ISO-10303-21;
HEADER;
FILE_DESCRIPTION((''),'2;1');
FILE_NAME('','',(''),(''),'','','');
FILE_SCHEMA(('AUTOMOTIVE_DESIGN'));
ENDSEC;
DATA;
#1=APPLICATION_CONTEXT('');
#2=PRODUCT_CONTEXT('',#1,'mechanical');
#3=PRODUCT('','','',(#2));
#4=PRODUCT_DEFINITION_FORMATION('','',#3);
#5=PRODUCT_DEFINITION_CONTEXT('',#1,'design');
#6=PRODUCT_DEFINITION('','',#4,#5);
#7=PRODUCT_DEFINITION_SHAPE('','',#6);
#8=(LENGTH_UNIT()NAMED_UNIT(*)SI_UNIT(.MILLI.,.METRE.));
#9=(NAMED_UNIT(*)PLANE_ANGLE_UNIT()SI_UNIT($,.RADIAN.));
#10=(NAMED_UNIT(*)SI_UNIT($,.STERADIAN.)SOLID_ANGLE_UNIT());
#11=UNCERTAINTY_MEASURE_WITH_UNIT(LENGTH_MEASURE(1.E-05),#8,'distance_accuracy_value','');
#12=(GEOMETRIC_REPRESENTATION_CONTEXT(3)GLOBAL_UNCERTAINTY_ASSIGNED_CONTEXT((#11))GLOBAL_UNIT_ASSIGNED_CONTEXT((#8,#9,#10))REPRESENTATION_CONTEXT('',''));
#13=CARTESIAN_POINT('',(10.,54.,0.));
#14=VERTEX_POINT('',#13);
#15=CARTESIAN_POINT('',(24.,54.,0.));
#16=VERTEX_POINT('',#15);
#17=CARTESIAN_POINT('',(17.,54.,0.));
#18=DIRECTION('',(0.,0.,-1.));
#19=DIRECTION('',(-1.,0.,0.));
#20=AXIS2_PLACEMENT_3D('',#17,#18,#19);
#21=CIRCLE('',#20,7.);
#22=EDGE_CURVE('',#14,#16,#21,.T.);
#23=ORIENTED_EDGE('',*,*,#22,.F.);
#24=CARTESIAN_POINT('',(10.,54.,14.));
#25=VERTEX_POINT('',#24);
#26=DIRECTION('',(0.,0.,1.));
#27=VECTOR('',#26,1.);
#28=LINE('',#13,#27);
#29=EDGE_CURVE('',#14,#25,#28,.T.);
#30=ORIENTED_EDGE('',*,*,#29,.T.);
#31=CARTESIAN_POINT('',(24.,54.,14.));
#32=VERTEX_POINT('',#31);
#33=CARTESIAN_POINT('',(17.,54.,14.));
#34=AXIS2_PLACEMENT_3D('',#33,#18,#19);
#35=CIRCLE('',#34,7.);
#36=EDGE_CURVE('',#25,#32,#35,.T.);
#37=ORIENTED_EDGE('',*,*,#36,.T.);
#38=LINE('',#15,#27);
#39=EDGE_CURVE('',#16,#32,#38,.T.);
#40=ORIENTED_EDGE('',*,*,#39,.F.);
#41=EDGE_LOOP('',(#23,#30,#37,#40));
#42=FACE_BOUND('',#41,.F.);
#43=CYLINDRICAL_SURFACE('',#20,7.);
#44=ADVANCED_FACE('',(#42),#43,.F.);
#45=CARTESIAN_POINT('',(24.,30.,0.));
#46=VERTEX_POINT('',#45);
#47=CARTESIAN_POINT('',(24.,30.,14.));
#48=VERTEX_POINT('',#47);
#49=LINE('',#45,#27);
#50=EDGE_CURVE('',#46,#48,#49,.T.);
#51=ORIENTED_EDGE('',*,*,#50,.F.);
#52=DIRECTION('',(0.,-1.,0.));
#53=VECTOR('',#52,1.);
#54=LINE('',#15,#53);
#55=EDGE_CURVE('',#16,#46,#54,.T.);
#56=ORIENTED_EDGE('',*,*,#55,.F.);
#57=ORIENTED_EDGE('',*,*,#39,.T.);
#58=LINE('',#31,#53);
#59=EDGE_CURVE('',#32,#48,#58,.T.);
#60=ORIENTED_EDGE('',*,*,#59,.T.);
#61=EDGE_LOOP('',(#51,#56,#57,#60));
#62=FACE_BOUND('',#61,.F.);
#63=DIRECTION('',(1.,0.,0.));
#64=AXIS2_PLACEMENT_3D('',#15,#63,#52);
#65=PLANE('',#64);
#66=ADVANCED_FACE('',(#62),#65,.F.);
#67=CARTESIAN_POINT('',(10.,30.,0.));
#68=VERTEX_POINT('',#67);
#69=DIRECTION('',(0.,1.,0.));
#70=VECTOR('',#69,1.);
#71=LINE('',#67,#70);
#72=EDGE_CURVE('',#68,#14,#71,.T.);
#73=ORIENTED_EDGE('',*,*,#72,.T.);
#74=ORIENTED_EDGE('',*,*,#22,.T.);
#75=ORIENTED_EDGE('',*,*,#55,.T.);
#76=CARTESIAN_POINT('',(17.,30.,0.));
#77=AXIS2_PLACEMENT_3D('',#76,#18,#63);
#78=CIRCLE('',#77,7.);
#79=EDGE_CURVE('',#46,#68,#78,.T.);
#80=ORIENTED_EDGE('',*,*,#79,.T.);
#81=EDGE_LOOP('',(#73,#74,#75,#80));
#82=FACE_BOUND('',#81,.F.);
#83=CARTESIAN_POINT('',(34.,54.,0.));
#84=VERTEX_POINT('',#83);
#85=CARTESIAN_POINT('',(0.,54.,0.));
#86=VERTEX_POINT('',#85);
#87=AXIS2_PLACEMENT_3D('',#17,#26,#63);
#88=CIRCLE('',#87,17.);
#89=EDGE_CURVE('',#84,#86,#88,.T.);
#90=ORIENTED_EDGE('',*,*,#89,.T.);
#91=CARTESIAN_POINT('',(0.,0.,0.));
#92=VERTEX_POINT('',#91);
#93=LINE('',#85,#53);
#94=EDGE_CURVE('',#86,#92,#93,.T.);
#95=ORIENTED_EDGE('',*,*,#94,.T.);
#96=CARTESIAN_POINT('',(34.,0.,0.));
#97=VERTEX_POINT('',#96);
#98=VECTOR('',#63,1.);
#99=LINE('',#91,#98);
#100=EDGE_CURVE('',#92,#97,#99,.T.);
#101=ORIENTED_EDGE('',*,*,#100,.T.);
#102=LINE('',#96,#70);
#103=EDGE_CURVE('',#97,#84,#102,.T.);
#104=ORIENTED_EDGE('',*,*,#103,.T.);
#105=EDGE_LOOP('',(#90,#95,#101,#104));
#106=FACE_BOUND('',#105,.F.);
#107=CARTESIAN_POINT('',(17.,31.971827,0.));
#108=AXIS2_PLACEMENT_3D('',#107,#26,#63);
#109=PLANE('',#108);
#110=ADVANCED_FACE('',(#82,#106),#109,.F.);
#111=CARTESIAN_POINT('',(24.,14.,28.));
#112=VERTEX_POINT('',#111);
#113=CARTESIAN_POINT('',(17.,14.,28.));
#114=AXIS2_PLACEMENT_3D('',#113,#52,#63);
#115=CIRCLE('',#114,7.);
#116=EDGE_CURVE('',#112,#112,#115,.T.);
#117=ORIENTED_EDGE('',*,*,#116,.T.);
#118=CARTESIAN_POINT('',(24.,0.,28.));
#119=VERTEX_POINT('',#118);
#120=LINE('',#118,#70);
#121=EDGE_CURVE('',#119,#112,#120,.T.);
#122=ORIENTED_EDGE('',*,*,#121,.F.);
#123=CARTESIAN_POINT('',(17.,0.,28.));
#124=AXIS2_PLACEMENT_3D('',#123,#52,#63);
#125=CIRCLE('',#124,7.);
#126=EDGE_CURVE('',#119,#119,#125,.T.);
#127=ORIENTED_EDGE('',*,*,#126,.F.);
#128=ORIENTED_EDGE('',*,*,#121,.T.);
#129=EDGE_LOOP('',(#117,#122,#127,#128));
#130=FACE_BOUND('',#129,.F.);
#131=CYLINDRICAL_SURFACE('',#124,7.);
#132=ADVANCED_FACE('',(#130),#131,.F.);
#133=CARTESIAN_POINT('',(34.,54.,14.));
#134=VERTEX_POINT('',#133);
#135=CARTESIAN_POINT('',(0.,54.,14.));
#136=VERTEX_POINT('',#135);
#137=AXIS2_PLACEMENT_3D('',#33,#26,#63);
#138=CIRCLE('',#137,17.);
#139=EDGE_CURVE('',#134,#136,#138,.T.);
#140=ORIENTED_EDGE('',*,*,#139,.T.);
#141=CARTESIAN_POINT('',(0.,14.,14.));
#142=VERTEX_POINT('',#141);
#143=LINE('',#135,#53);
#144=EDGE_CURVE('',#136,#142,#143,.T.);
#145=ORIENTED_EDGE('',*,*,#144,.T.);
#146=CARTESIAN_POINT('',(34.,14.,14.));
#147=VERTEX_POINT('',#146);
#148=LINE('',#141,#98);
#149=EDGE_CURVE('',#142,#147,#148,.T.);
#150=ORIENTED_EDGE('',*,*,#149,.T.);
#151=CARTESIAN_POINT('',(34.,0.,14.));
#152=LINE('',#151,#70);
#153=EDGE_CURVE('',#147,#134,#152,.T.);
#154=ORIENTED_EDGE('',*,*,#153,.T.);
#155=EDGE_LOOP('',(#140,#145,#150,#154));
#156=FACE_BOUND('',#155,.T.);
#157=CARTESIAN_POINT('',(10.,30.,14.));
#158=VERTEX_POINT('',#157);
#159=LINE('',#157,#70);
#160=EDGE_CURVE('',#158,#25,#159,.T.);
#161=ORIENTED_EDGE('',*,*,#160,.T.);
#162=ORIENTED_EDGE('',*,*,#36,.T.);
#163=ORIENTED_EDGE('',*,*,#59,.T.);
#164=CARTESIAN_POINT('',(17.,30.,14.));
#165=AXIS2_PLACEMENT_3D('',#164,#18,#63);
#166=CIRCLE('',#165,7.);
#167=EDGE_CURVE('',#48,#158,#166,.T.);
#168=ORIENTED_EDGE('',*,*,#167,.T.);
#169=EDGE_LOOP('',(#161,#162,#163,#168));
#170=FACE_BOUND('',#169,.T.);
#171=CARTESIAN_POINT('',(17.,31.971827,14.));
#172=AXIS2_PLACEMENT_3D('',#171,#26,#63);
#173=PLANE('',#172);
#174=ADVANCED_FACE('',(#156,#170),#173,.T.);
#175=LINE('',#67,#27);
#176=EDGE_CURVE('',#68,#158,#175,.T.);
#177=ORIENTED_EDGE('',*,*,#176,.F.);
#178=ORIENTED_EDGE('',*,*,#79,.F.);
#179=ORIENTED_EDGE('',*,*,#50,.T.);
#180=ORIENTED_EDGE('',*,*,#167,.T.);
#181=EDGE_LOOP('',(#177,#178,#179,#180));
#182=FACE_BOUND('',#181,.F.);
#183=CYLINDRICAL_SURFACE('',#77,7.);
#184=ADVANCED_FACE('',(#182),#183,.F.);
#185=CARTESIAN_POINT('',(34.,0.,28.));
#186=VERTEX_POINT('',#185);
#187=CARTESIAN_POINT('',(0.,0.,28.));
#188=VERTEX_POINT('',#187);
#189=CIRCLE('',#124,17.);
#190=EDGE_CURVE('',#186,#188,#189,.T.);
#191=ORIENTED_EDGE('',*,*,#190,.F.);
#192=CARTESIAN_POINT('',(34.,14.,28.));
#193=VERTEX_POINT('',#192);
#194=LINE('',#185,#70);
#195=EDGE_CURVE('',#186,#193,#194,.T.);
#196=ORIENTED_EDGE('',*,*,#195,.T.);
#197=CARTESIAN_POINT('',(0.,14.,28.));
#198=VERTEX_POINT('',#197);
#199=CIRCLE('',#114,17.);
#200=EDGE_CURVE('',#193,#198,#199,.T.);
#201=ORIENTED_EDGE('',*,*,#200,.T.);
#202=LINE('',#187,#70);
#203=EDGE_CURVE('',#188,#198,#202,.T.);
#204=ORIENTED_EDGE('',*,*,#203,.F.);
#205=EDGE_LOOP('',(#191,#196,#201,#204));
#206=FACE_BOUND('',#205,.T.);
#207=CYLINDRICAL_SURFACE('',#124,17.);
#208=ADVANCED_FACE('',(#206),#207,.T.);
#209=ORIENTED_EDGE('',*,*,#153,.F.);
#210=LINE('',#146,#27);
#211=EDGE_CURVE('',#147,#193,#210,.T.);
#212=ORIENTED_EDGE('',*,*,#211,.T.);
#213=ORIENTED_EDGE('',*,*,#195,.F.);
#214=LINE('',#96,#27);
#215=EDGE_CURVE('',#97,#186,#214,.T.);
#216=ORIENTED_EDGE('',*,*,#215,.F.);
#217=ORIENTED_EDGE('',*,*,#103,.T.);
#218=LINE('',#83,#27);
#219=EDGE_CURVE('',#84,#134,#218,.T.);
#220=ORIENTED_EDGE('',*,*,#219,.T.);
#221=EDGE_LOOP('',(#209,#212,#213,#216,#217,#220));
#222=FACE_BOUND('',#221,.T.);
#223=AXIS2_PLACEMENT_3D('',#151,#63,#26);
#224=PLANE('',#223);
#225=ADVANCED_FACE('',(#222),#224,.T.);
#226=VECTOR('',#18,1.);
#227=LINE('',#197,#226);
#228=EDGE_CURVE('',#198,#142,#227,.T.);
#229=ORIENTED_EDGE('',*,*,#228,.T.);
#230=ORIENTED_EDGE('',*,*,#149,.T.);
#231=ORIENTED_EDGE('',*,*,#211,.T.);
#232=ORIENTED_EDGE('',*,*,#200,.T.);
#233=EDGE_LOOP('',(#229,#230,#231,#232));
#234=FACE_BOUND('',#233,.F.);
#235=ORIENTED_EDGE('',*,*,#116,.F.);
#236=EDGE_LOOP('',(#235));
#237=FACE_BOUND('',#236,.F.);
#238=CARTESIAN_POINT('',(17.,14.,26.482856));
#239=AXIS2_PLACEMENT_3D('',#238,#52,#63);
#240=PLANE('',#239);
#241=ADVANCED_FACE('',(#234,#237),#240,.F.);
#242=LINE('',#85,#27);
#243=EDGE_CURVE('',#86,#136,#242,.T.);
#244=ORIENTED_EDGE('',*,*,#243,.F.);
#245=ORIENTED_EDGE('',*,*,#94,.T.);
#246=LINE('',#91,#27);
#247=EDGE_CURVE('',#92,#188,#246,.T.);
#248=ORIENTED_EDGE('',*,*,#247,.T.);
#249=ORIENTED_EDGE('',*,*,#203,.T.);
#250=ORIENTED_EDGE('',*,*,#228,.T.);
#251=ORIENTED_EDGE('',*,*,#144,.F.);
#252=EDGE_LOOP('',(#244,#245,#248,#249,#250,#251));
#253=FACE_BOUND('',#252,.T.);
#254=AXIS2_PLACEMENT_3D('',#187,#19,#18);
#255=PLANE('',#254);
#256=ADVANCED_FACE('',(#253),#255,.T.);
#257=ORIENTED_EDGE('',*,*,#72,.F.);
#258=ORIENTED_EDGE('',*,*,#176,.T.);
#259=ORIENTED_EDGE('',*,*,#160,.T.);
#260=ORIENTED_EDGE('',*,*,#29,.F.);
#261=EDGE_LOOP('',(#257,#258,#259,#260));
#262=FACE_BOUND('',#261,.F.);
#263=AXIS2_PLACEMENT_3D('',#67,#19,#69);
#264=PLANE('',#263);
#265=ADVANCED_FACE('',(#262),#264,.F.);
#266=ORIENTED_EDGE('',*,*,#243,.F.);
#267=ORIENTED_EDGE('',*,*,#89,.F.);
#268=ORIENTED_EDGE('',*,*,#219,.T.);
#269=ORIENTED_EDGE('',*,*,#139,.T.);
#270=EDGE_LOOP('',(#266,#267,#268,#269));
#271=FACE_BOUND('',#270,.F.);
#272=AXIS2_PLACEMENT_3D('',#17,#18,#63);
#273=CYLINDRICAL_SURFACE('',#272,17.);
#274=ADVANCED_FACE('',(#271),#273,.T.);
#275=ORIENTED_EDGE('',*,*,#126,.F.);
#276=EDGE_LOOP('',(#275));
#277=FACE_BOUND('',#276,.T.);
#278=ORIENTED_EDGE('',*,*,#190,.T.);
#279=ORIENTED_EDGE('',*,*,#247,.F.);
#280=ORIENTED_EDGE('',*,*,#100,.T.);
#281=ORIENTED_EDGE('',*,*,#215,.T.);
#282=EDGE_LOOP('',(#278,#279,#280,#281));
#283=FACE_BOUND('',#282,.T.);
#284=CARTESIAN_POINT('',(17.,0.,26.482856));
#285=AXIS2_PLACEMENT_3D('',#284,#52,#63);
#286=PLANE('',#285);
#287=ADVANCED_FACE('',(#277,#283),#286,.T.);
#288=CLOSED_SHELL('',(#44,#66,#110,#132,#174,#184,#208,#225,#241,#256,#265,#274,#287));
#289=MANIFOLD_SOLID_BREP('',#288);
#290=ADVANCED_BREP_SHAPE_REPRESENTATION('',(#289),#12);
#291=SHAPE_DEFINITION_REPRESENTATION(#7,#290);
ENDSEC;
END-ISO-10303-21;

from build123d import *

# Parameters (mm, degrees)
F1_DEPTH = 14
F2_R     = 7
F3_DEPTH = 14


with BuildPart() as f1:
    # F0 (on Top) → F1 (new body)
    with BuildSketch(Plane.XY):
        with BuildLine():
            Line((0, 54), (0, 0))
            Line((0, 0), (34, 0))
            Line((34, 0), (34, 54))
            ThreePointArc((34, 54), (17, 71), (0, 54))
        make_face()
        with BuildLine():
            ThreePointArc((10, 54), (17, 61), (24, 54))
            Line((24, 54), (24, 30))
            ThreePointArc((24, 30), (17, 23), (10, 30))
            Line((10, 30), (10, 54))
        make_face(mode=Mode.SUBTRACT)
    extrude(amount=F1_DEPTH)

    # F2 (on face) → F3 (join)
    with BuildSketch(Plane.XZ):
        with BuildLine():
            Line((0, 28), (0, 14))
            Line((0, 14), (34, 14))
            Line((34, 14), (34, 28))
            ThreePointArc((34, 28), (17, 45), (0, 28))
        make_face()
        with Locations((17, 28)):
            Circle(F2_R, mode=Mode.SUBTRACT)
    extrude(amount=-F3_DEPTH)


solid = f1.part
